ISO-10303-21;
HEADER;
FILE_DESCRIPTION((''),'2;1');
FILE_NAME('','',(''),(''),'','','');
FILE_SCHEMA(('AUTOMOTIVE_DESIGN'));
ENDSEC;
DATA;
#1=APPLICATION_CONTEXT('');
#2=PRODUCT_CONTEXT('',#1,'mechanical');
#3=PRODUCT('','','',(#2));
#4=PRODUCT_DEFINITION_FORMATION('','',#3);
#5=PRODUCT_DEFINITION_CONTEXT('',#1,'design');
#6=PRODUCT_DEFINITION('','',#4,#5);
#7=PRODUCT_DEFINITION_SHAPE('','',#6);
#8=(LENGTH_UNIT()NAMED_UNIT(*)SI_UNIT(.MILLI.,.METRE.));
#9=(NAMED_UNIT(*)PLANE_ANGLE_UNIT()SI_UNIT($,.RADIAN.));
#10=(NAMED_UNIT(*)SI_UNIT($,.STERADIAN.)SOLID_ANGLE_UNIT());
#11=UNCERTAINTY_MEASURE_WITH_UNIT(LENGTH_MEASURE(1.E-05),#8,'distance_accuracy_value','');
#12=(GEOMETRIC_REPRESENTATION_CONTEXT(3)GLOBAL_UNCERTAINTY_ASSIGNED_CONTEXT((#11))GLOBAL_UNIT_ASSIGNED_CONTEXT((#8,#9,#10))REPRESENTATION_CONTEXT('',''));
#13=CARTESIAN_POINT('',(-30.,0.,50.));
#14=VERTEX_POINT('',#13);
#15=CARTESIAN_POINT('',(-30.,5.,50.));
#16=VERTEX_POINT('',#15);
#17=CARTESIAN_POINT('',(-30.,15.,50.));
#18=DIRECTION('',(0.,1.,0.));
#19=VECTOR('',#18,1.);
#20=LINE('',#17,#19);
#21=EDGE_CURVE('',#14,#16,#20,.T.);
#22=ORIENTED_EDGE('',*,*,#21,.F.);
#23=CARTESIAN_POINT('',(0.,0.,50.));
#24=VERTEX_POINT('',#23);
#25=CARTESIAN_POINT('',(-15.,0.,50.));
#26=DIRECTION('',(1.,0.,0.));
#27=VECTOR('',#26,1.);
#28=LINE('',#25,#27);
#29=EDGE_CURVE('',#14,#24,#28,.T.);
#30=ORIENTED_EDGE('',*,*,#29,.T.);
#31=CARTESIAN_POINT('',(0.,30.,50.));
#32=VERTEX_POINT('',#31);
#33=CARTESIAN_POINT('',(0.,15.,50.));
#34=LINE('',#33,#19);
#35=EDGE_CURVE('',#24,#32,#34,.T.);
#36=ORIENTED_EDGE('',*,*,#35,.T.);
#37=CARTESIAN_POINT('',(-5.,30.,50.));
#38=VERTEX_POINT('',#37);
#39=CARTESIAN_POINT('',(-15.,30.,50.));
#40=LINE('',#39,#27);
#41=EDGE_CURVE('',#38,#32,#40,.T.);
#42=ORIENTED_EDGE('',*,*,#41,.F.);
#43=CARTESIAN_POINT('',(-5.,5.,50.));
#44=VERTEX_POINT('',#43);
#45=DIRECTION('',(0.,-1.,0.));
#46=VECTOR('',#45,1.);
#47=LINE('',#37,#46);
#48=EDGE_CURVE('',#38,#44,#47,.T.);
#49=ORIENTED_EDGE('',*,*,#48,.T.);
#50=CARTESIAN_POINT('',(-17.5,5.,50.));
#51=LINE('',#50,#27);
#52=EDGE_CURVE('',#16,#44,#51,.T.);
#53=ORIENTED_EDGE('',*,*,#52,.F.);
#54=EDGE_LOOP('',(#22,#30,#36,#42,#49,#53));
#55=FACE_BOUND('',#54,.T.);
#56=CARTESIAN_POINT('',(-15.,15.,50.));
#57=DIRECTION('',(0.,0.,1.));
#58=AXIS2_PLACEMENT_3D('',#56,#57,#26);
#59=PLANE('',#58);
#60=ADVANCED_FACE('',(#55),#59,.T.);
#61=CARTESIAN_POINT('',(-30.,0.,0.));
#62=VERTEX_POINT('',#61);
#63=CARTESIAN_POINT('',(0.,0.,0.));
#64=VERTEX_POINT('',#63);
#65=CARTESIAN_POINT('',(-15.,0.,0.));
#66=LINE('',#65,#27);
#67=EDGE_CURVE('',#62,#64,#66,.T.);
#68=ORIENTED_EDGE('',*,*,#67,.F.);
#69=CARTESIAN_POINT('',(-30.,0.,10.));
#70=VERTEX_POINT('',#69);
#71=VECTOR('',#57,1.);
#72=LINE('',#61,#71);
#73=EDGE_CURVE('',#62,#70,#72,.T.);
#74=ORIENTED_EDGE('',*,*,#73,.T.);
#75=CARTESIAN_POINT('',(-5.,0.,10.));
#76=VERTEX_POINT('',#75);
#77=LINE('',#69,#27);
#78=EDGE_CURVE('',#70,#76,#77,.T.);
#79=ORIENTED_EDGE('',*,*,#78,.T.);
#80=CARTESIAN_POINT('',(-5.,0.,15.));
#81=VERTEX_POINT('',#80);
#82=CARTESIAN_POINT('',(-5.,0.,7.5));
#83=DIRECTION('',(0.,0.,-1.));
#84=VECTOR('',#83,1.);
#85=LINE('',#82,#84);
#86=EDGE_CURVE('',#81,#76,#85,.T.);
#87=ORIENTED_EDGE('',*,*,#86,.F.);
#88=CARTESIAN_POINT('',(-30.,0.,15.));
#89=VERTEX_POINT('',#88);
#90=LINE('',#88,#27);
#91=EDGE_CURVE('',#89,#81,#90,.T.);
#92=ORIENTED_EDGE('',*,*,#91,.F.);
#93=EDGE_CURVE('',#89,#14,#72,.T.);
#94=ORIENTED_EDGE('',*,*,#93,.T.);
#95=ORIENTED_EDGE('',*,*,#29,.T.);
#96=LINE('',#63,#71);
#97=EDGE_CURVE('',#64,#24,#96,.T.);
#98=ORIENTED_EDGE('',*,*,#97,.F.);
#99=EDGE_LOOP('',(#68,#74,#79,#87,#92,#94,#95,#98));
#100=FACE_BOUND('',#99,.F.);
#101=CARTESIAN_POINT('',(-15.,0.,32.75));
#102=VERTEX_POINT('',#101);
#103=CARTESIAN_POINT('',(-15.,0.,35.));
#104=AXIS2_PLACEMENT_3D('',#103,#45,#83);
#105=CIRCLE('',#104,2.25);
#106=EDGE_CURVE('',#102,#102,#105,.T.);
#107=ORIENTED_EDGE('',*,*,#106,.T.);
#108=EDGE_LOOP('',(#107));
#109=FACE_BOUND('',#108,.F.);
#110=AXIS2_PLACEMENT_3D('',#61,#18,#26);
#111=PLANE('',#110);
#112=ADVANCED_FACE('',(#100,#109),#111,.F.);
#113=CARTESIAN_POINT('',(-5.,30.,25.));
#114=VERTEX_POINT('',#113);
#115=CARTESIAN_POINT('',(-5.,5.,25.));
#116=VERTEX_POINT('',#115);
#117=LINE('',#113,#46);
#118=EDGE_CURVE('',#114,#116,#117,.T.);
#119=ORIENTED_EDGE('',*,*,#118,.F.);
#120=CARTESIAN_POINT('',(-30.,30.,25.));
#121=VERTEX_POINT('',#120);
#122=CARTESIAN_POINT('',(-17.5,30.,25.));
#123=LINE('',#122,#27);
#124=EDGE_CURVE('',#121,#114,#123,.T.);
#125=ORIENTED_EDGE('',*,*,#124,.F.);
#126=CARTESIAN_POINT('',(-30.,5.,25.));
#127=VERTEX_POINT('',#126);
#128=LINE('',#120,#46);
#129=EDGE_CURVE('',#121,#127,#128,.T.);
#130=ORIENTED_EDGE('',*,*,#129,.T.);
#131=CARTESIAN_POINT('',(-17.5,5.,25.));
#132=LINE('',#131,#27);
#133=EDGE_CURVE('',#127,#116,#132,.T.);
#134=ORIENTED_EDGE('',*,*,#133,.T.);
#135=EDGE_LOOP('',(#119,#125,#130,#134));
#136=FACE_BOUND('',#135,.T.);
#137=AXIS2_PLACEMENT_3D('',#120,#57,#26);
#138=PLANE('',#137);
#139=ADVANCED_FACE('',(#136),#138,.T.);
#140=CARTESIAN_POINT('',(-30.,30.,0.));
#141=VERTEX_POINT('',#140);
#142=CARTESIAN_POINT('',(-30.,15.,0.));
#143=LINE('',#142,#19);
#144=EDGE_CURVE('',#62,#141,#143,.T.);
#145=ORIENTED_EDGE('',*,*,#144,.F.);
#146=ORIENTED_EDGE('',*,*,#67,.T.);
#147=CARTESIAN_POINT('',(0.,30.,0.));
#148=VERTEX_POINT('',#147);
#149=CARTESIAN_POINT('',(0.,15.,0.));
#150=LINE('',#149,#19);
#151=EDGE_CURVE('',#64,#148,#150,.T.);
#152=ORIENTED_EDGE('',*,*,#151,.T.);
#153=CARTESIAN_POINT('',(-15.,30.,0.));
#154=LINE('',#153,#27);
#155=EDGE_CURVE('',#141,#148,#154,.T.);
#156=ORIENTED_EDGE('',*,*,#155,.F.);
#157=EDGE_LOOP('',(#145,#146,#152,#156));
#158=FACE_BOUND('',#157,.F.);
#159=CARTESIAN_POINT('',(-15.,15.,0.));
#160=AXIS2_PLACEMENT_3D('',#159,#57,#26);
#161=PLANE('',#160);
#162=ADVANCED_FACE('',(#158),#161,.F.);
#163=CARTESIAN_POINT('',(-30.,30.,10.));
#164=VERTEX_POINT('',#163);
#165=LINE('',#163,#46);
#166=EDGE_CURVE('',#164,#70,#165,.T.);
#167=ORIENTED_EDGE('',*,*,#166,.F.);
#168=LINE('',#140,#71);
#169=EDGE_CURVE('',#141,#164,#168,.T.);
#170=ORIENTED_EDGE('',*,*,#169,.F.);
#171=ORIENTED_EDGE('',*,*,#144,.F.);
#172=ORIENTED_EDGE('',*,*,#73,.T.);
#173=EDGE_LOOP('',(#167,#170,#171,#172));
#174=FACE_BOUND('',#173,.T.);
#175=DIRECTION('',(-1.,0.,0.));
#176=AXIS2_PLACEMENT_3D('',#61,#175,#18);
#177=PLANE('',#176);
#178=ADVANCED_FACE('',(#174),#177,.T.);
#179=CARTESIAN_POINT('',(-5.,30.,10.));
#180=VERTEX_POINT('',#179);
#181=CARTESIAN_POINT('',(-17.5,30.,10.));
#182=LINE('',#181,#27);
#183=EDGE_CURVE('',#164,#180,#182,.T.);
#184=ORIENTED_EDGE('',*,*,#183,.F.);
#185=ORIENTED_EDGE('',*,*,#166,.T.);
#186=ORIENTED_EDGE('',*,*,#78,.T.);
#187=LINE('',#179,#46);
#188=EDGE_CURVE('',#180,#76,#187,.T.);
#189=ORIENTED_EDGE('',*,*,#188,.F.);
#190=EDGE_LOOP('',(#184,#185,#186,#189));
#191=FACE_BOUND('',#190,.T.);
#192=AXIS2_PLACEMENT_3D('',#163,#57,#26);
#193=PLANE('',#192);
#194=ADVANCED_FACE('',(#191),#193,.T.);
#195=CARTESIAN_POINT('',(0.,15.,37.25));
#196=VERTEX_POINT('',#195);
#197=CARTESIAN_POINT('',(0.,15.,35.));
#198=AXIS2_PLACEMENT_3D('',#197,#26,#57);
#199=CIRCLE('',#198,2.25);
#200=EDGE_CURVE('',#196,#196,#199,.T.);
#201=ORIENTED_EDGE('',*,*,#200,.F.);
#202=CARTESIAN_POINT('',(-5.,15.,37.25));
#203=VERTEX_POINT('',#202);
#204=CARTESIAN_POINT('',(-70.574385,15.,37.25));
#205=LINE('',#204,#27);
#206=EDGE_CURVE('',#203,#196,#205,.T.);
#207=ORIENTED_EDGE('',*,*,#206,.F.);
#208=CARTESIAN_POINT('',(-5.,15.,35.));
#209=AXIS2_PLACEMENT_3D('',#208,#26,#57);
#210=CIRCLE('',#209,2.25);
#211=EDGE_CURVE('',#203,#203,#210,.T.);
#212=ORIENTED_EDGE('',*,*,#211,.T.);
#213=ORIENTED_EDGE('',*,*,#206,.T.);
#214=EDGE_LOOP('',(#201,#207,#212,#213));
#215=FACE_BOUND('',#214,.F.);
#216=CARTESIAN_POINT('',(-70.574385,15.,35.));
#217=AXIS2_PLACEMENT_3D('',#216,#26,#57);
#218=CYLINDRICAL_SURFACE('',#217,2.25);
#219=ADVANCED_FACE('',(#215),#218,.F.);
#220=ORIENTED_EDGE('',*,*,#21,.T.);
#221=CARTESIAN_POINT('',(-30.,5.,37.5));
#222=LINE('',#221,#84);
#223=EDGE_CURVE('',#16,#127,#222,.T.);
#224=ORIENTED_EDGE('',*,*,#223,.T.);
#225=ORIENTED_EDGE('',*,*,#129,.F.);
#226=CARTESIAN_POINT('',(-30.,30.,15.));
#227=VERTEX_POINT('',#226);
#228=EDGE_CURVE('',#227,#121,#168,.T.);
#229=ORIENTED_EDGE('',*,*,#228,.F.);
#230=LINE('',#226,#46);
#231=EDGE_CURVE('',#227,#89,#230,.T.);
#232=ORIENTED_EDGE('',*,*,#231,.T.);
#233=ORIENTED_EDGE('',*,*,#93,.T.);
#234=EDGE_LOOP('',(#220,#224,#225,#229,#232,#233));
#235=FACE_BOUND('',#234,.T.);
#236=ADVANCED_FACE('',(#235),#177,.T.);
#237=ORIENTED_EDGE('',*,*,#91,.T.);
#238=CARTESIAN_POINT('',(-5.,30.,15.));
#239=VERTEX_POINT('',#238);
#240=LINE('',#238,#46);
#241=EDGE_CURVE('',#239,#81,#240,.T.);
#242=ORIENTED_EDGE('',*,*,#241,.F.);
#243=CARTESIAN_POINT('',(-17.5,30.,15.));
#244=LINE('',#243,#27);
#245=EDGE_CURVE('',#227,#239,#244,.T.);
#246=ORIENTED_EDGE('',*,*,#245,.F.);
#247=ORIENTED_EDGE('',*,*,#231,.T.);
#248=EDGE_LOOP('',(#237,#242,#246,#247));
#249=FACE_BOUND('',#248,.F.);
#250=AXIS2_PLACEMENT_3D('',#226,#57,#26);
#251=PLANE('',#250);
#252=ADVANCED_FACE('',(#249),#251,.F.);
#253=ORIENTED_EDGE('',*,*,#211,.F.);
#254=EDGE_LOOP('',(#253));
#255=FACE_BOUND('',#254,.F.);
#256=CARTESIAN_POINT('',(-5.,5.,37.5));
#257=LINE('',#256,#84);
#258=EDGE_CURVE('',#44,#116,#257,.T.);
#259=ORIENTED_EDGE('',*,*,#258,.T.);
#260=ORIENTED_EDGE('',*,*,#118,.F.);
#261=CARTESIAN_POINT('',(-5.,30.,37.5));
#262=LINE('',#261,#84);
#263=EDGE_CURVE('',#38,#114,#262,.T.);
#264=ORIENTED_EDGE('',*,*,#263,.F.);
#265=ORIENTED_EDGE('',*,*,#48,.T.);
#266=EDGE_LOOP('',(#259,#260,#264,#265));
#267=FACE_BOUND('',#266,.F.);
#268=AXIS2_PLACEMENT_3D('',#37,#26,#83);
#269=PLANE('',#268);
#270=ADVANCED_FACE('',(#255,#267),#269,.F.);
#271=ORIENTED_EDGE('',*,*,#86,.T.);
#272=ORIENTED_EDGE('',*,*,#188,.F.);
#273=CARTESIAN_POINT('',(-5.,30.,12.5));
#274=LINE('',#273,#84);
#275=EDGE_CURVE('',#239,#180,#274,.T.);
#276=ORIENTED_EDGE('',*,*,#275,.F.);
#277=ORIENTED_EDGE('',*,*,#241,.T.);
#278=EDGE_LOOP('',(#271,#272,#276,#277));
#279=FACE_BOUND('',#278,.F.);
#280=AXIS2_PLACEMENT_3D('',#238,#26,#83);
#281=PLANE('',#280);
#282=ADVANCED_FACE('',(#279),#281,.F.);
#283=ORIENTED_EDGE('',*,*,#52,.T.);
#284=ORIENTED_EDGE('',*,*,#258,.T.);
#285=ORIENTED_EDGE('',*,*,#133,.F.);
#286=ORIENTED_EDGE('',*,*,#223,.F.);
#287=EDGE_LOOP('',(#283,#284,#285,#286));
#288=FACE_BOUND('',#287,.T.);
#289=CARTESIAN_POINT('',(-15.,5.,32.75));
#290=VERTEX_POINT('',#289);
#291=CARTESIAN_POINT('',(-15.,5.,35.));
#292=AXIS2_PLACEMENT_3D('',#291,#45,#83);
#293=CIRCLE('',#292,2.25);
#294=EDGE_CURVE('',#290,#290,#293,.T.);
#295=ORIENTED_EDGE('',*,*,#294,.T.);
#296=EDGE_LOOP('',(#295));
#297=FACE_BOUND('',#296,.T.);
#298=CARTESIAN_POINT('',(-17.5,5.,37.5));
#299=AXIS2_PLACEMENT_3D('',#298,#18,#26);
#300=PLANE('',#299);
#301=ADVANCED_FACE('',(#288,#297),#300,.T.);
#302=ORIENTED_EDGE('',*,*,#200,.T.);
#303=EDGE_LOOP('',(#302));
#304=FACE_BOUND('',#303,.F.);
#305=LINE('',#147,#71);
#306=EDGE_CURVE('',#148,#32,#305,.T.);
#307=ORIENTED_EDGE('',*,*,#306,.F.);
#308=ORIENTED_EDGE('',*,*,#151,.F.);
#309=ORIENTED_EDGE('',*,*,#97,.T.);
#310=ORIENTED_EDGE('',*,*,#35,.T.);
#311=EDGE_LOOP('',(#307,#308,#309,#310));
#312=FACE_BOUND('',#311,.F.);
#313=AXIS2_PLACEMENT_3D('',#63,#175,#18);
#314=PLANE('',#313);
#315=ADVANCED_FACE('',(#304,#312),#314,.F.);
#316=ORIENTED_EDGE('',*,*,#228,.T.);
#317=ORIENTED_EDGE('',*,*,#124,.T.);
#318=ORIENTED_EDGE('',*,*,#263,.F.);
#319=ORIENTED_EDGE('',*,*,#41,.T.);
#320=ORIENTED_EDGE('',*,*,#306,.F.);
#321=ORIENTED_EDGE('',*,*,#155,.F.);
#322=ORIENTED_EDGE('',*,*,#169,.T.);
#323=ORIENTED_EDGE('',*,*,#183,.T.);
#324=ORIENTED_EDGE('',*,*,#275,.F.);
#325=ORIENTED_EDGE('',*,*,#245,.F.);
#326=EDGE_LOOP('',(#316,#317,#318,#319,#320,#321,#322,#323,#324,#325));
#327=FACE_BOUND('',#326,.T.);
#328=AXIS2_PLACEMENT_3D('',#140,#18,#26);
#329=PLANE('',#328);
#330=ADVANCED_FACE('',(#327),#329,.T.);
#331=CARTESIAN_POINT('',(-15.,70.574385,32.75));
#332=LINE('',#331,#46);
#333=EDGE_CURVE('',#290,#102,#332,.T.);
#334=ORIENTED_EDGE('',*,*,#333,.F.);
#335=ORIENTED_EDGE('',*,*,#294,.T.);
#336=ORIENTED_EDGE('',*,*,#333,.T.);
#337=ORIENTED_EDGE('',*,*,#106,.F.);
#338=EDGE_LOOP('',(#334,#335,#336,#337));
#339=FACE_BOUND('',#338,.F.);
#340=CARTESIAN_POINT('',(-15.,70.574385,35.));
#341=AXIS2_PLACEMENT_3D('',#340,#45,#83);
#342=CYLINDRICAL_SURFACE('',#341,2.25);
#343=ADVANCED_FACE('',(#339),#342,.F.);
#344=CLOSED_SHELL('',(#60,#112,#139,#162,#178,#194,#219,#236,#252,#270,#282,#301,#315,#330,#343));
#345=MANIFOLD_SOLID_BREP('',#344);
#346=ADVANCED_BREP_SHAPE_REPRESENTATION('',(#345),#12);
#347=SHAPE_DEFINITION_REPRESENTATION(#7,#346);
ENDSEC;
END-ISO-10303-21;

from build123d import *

# Parameters (mm, degrees)
ESBO_O1_W                         = 30
ESBO_O1_H                         = 30
RESSALTO_EXTRUS_O1_DEPTH          = 50
ESBO_O2_W                         = 25
ESBO_O2_H                         = 5
CORTE_EXTRUS_O1_DEPTH             = 31
ESBO_O3_W                         = 25
ESBO_O3_H                         = 25
CORTE_EXTRUS_O2_DEPTH             = 25
FURO_COM_FOLGA_DE_M41_D           = 4.5
FURO_COM_FOLGA_DE_M41_ON_FACE_2_D = 4.5


with BuildPart() as part:
    # Esboço1 → Ressalto-extrusão1 (new body)
    with BuildSketch(Plane.XY):
        with Locations((-15, 15)):
            Rectangle(ESBO_O1_W, ESBO_O1_H)
    extrude(amount=RESSALTO_EXTRUS_O1_DEPTH)

    # Esboço2 → Corte-extrusão1 (cut, through all)
    with BuildSketch(Plane(origin=(0, 30, 0), x_dir=(1, 0, 0), z_dir=(0, 1, 0))):
        with Locations((-17.5, -12.5)):
            Rectangle(ESBO_O2_W, ESBO_O2_H)
    extrude(amount=-CORTE_EXTRUS_O1_DEPTH, mode=Mode.SUBTRACT)

    # Esboço3 → Corte-extrusão2 (cut)
    with BuildSketch(Plane(origin=(0, 30, 0), x_dir=(1, 0, 0), z_dir=(0, 1, 0))):
        with Locations((-17.5, -37.5)):
            Rectangle(ESBO_O3_W, ESBO_O3_H)
    extrude(amount=-CORTE_EXTRUS_O2_DEPTH, mode=Mode.SUBTRACT)

    # Furo com folga de M41 (through all)
    with Locations(Plane(origin=(-15, 5, 35), x_dir=(0, 0, 1), z_dir=(0, 1, 0))):
        with Locations((0, 0)):
            Hole(FURO_COM_FOLGA_DE_M41_D / 2)

    # Furo com folga de M41 on face 2 (through all)
    with Locations(Plane(origin=(-5, 15, 35), x_dir=(0, 0, -1), z_dir=(-1, 0, 0))):
        with Locations((0, 0)):
            Hole(FURO_COM_FOLGA_DE_M41_ON_FACE_2_D / 2)


solid = part.part
